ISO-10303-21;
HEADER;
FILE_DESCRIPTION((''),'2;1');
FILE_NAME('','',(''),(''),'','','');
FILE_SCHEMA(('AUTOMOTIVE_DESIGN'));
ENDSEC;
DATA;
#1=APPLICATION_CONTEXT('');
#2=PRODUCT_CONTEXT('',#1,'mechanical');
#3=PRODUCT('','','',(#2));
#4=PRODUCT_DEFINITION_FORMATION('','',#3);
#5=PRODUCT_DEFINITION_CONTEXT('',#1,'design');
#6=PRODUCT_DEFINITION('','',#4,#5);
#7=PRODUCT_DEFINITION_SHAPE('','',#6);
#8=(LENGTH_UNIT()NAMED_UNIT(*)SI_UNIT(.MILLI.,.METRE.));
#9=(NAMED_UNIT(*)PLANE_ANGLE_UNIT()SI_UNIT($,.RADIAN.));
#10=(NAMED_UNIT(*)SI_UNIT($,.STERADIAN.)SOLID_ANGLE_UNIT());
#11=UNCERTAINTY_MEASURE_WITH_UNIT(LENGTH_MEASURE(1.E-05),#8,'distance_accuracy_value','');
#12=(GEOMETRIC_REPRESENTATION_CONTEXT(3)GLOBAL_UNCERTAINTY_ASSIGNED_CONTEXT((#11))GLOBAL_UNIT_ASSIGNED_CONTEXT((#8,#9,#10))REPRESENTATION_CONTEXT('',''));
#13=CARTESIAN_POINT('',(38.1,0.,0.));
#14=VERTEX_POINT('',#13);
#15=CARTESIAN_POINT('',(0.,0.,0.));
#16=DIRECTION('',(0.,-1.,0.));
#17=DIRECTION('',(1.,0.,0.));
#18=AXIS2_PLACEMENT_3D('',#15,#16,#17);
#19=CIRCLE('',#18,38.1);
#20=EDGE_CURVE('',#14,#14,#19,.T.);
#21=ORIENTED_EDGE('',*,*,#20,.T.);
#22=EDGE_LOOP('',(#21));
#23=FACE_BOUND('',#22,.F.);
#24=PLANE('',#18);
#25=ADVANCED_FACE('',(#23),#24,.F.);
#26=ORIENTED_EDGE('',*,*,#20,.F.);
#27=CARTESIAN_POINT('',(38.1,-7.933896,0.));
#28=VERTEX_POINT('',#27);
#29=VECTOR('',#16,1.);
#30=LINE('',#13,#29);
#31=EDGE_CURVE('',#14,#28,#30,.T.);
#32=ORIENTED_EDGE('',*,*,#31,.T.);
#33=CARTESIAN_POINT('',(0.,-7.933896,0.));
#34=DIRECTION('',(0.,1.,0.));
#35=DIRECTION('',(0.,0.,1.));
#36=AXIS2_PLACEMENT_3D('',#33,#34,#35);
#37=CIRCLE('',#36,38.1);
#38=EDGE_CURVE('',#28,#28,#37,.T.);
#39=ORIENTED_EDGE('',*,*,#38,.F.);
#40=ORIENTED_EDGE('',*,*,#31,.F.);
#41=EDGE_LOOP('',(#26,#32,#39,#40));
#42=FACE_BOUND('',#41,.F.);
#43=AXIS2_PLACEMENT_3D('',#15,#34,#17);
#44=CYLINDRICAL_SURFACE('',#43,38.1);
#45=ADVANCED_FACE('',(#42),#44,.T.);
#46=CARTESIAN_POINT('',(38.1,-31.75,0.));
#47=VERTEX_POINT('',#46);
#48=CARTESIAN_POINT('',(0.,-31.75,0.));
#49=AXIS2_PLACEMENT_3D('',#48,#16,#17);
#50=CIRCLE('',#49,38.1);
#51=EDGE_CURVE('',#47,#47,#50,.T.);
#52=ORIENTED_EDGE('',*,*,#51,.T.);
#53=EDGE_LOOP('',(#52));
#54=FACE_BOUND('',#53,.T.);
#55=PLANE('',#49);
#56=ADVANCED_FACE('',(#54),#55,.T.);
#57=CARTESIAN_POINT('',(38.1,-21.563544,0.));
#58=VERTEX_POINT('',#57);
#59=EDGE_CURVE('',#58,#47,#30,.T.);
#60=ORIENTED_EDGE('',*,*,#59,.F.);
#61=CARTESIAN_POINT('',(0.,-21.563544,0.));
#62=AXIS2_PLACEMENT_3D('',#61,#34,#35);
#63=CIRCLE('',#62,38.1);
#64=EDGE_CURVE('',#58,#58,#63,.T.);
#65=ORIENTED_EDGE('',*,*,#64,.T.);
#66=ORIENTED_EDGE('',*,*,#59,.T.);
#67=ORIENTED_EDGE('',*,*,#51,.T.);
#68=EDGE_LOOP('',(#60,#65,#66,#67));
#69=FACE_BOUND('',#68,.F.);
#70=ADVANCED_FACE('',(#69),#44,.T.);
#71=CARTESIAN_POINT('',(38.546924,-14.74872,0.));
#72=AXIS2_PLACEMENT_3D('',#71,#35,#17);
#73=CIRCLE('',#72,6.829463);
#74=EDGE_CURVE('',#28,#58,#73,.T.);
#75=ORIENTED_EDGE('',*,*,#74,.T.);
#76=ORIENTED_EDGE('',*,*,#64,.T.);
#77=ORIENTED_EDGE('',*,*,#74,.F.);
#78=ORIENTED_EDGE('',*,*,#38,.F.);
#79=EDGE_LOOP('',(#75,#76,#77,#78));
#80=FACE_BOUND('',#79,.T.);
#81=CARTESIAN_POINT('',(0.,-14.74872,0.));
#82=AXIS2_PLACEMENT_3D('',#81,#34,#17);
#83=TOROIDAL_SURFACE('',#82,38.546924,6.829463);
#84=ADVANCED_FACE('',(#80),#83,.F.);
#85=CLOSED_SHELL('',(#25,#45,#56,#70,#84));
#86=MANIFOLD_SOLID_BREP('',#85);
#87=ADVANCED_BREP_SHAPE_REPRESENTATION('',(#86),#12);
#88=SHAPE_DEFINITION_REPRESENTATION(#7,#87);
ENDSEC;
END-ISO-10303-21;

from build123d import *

# Parameters (mm, degrees)
F0_R     = 38.1
F1_DEPTH = 31.75
F2_R     = 6.829463


with BuildPart() as f1:
    # F0 (on Front) → F1 (new body)
    with BuildSketch(Plane.XZ):
        Circle(F0_R)
    extrude(amount=F1_DEPTH)

    # F2 (on Top) → F3 (revolve, cut)
    with BuildSketch(Plane.XY):
        with Locations((38.546924, -14.74872)):
            Circle(F2_R)
    revolve(axis=Axis((0, -31.75, 0), (0, -1, 0)), mode=Mode.SUBTRACT)


solid = f1.part
